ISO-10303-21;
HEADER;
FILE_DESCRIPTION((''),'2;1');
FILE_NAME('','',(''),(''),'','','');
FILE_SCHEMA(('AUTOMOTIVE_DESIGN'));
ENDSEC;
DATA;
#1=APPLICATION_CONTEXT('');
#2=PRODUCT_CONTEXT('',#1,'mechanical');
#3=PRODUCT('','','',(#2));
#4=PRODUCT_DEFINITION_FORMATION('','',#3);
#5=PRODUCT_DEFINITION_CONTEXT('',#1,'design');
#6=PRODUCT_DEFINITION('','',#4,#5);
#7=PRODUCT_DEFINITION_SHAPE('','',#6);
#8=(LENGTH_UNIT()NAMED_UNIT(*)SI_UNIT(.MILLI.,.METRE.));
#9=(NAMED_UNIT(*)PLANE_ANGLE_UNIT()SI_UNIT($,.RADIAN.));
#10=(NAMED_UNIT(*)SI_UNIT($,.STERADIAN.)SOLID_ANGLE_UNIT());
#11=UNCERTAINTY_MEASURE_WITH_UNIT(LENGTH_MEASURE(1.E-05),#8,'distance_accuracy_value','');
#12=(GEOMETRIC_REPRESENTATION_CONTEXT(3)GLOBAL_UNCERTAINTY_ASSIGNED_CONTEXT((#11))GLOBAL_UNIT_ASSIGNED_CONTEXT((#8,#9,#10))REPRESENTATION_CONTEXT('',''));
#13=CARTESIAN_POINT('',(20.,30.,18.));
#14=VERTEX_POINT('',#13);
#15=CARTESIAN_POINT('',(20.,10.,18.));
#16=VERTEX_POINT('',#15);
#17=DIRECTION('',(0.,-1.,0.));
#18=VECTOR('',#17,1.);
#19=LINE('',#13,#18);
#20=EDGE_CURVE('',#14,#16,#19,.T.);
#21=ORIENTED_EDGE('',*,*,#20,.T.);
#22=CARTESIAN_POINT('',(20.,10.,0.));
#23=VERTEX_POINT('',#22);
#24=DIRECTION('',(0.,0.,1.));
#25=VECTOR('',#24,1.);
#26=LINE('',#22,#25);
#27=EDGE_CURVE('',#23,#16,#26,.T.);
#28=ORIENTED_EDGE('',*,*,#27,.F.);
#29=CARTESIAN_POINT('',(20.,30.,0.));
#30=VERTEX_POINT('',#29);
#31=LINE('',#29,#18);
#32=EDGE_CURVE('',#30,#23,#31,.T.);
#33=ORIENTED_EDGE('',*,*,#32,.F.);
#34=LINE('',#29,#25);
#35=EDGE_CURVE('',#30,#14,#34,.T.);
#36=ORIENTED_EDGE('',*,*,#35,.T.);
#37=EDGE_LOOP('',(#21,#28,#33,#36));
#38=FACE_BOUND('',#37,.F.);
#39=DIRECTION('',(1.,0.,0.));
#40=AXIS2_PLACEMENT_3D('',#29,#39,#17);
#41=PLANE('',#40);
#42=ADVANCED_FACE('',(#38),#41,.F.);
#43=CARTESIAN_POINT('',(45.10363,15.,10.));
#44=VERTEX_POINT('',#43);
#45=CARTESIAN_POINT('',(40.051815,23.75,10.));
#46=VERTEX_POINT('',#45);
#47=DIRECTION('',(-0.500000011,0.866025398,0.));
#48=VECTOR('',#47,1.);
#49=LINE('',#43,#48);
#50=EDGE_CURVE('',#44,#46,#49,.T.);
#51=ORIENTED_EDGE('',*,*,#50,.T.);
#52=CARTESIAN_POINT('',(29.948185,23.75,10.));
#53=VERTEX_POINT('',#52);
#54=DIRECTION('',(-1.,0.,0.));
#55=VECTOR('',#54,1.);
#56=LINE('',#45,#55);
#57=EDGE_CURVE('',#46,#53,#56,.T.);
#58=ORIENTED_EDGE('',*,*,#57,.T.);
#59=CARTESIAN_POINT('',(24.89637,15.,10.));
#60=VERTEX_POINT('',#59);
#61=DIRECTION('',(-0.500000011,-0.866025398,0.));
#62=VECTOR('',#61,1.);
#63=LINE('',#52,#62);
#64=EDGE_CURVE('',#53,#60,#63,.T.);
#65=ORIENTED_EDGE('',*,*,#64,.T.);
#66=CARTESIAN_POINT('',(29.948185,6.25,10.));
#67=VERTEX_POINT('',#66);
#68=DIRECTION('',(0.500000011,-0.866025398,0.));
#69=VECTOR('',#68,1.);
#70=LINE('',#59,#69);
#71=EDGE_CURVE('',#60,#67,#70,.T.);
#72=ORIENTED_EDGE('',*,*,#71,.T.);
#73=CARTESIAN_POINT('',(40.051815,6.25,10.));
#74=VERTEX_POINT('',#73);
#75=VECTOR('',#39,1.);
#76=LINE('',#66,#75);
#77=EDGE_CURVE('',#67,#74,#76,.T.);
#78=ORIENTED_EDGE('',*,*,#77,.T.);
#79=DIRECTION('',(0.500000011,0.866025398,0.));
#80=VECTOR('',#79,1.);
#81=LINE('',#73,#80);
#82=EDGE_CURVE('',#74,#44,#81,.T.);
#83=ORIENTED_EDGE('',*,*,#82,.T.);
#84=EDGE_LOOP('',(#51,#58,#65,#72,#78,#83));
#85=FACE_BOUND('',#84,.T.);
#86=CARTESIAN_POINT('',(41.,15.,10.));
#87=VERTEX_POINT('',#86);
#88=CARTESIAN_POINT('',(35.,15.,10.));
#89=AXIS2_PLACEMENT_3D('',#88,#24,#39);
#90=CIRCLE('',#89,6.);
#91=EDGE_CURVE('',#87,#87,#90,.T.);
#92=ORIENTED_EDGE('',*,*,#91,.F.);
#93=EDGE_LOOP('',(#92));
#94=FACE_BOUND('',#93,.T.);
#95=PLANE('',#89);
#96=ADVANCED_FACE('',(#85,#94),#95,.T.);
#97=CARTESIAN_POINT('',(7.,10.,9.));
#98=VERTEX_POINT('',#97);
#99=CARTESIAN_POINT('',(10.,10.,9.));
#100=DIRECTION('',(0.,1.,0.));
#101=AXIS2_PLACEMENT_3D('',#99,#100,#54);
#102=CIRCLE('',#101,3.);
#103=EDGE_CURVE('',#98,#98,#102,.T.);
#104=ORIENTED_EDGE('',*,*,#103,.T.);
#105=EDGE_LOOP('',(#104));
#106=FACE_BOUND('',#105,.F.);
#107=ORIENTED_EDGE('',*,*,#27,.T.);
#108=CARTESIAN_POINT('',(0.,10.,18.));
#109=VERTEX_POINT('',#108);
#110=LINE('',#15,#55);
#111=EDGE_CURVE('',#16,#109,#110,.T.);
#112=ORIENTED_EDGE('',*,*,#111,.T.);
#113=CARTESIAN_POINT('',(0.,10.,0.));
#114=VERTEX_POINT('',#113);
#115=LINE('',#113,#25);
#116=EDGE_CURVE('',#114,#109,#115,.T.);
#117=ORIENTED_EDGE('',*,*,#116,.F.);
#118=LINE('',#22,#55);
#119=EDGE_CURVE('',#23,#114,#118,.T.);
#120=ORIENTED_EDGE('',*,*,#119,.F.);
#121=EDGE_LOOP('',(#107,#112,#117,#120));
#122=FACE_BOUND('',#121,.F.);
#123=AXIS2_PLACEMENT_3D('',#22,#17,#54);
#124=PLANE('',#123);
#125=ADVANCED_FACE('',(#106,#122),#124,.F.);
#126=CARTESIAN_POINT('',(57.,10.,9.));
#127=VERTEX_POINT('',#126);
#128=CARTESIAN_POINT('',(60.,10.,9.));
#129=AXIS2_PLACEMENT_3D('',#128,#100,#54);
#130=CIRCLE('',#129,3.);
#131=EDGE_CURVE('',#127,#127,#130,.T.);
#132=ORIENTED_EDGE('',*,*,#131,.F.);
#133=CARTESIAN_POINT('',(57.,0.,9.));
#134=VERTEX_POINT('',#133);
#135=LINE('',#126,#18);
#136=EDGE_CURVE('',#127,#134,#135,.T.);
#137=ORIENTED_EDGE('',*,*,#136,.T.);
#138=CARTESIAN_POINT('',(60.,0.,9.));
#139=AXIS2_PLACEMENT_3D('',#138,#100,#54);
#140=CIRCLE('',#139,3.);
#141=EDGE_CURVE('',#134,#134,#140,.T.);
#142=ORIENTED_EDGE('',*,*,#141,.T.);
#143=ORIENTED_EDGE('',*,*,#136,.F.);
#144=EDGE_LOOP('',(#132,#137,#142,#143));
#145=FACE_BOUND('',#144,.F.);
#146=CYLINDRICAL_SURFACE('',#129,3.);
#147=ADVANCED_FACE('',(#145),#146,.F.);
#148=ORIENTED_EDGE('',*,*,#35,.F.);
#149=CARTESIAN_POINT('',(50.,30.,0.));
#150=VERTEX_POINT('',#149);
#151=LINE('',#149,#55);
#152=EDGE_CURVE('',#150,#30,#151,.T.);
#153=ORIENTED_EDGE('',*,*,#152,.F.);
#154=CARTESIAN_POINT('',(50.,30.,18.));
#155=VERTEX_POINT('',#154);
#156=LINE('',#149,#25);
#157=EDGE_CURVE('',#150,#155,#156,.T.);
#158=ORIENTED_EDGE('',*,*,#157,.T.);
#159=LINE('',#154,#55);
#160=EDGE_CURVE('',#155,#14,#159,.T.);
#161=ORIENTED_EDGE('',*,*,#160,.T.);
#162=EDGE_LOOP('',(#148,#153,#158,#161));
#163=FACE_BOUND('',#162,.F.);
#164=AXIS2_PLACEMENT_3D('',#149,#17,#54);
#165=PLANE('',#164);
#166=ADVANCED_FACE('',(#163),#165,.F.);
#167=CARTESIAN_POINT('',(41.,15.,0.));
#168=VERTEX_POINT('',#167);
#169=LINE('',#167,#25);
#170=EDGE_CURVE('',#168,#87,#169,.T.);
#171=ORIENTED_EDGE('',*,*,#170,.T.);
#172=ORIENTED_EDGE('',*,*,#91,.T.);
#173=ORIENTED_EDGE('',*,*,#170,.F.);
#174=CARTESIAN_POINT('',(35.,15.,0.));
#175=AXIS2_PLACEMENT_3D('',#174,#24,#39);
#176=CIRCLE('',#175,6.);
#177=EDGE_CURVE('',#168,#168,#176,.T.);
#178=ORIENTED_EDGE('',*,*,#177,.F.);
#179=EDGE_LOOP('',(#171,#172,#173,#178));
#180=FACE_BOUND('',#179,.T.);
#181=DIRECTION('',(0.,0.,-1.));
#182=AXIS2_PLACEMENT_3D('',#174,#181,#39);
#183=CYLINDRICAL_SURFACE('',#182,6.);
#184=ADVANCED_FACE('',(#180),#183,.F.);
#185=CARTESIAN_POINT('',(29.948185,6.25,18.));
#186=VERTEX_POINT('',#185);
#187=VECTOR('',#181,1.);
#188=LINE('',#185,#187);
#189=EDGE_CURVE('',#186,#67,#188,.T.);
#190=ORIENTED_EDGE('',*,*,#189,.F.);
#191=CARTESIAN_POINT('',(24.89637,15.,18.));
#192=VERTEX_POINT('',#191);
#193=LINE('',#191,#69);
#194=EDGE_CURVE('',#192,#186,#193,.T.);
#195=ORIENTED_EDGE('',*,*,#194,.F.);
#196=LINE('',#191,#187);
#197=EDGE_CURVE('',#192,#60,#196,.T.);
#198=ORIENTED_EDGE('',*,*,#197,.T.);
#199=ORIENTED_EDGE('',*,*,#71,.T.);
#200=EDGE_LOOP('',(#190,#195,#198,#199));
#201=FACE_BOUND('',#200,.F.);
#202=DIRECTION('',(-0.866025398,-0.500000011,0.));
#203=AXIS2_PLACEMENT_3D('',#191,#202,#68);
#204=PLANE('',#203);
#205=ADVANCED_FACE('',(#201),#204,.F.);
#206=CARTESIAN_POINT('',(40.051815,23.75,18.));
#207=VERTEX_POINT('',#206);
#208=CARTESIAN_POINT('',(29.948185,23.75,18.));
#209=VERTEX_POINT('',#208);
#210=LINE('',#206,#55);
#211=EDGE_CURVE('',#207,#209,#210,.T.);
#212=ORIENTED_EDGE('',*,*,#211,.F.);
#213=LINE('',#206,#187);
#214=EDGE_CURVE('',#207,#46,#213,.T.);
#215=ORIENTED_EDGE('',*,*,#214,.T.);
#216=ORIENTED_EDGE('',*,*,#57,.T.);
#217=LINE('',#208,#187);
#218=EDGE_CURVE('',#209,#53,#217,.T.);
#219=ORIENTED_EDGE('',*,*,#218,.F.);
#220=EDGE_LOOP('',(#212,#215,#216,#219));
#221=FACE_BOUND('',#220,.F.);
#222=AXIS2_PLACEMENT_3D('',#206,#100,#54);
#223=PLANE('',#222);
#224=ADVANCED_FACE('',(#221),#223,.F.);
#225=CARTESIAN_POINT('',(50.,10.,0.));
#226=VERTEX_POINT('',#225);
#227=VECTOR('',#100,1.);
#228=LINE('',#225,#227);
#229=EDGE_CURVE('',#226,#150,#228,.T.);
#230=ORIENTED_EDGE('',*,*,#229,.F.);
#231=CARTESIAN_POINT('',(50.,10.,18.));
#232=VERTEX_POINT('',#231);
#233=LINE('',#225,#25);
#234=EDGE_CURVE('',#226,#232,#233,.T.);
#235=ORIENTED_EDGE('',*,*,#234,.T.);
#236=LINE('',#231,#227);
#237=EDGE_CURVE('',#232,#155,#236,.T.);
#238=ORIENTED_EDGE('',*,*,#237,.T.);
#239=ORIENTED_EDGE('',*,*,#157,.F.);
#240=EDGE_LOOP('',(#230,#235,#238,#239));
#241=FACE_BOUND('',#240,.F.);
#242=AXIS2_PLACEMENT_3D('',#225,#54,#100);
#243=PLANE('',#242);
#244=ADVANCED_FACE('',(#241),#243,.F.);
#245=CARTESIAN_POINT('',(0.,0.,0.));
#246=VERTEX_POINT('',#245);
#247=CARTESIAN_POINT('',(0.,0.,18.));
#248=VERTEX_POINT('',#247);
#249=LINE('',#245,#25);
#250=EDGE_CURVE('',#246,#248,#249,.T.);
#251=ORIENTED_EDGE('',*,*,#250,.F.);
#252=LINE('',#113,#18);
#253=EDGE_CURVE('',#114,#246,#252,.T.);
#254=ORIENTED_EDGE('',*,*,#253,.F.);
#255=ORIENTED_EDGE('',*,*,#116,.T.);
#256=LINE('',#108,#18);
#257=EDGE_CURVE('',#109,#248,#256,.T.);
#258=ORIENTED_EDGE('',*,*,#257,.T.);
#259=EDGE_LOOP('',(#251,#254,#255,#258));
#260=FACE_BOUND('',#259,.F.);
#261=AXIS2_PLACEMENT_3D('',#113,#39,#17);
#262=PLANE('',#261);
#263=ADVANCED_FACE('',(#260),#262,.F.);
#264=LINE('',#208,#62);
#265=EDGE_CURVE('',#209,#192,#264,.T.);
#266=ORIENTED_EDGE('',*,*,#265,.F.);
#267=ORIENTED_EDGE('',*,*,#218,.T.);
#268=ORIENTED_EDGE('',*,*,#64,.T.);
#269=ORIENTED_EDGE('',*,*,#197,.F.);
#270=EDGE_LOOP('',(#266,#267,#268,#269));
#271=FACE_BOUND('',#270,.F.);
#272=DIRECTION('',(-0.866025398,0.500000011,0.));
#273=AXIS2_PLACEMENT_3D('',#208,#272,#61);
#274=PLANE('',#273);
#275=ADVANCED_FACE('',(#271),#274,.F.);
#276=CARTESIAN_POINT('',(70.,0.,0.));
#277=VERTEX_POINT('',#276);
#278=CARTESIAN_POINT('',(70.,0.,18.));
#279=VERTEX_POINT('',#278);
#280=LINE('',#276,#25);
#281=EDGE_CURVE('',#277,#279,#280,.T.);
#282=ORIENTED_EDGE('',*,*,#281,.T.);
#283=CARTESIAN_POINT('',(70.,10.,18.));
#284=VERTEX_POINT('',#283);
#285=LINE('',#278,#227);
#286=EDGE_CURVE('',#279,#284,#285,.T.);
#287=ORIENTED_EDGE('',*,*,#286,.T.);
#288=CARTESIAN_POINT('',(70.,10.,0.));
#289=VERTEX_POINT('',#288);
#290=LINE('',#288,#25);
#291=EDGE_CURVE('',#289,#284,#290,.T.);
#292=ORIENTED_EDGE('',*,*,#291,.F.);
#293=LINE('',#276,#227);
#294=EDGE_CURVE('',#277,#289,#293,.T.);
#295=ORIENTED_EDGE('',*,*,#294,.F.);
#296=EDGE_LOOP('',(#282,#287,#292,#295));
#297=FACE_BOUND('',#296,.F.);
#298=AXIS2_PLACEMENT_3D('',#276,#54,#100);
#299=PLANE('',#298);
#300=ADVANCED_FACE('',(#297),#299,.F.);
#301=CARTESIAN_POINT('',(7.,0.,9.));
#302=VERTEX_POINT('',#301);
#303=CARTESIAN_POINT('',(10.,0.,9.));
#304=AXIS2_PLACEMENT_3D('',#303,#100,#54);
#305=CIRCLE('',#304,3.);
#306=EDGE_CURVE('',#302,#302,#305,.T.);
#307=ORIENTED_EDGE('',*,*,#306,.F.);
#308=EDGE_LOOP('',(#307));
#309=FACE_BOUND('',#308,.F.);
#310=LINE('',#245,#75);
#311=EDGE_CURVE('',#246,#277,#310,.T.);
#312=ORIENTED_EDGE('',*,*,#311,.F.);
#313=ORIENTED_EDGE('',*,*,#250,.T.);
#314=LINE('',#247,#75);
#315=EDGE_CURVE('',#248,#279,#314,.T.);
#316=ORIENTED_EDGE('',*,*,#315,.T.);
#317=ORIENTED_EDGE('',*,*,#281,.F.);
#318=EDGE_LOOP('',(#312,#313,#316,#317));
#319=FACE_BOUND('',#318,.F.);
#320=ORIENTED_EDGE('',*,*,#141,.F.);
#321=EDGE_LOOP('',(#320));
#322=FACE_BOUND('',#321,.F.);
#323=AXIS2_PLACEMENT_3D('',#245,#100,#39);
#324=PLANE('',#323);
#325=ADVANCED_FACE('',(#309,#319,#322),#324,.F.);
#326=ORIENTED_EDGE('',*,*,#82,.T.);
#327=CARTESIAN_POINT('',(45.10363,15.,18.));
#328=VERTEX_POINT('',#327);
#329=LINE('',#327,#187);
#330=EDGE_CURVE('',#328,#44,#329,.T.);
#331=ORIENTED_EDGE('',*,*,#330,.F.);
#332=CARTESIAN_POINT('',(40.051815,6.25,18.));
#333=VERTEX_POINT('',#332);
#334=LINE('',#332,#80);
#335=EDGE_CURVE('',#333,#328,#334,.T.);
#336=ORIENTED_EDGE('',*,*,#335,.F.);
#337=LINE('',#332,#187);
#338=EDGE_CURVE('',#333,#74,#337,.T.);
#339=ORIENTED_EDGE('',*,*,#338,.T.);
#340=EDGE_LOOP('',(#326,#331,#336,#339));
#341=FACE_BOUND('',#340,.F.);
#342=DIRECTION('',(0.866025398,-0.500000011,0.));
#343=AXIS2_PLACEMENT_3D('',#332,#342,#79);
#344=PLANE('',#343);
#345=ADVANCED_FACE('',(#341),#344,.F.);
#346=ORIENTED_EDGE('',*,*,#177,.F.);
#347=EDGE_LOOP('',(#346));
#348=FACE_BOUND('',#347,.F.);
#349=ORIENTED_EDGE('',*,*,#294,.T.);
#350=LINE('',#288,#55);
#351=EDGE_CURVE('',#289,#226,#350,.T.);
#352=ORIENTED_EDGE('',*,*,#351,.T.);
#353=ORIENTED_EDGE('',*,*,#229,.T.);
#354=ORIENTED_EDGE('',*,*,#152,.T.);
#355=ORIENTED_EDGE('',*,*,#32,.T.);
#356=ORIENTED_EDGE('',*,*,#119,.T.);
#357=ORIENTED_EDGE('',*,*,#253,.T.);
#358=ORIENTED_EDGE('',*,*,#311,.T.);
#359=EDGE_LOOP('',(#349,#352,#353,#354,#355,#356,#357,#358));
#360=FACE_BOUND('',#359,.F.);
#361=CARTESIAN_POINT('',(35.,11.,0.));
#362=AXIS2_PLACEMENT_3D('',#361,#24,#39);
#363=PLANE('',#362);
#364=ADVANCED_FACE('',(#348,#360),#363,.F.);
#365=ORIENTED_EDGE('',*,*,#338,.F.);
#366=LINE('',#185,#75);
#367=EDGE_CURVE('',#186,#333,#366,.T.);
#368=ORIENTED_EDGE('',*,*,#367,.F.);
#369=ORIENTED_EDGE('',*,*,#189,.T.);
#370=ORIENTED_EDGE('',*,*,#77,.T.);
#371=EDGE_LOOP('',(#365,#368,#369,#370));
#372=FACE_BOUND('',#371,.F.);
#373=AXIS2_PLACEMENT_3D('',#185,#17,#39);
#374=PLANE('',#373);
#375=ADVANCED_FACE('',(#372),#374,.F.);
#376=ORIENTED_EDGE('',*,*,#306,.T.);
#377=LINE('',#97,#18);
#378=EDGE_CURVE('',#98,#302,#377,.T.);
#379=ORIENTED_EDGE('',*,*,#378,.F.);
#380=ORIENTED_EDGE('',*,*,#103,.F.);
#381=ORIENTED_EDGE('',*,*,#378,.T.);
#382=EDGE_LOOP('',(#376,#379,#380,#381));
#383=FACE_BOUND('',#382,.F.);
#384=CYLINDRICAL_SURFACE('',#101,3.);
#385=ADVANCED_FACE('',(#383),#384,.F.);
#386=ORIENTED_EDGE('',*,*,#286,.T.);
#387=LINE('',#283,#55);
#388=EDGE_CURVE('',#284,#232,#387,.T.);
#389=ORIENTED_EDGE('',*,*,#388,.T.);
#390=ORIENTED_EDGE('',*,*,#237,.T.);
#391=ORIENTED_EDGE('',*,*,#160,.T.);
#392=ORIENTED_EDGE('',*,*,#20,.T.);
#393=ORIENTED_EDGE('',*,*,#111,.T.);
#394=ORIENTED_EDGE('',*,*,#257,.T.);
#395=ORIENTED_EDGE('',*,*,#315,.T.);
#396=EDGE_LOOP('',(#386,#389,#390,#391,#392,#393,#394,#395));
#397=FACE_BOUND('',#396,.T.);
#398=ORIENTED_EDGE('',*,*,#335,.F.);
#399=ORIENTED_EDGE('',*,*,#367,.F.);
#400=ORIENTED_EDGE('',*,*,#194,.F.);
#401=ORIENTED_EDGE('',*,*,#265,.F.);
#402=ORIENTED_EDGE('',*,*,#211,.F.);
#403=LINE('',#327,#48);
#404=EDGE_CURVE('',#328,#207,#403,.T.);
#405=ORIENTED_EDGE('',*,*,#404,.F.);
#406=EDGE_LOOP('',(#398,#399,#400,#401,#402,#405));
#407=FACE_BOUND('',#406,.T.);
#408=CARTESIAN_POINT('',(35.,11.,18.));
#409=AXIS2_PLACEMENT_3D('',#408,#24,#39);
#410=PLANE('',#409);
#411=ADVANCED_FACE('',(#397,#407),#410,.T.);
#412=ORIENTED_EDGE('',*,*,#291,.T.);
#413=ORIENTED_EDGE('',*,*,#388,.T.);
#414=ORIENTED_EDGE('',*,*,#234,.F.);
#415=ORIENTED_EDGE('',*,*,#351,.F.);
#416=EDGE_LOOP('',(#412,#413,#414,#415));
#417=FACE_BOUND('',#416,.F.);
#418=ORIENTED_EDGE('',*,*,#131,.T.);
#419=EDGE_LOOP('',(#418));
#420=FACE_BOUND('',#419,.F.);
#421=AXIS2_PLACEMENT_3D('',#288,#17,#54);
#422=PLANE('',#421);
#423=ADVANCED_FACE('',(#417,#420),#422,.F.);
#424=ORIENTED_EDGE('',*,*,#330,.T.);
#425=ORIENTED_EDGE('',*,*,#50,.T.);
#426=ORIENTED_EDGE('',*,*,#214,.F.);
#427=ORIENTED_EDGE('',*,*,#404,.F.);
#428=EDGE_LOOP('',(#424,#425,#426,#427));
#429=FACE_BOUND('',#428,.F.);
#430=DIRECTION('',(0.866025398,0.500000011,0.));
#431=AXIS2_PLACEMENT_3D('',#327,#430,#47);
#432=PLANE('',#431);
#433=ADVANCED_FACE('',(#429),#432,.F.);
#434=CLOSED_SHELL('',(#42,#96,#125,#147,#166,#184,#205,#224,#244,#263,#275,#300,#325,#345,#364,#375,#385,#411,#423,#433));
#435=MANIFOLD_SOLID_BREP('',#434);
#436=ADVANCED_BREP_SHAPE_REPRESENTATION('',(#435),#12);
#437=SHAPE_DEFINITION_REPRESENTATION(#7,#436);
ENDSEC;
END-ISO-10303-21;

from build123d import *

# Parameters (mm, degrees)
F0_R     = 6
F1_DEPTH = 18
F2_R     = 6
F3_DEPTH = 8
F4_R     = 3
F5_DEPTH = 25


with BuildPart() as f1:
    # F0 (on Top) → F1 (new body)
    with BuildSketch(Plane.XY):
        Polygon((0, 10), (0, 0), (70, 0), (70, 10), (50, 10), (50, 30), (20, 30), (20, 10), align=None)
        with Locations((35, 15)):
            Circle(F0_R, mode=Mode.SUBTRACT)
    extrude(amount=F1_DEPTH)

    # F2 (on face) → F3 (cut)
    with BuildSketch(Plane.XY.offset(18)):
        Polygon((40.051815, 23.75), (29.948185, 23.75), (24.89637, 15), (29.948185, 6.25), (40.051815, 6.25), (45.10363, 15), align=None)
        with Locations((35, 15)):
            Circle(F2_R, mode=Mode.SUBTRACT)
    extrude(amount=-F3_DEPTH, mode=Mode.SUBTRACT)

    # F4 (on face) → F5 (cut)
    with BuildSketch(Plane(origin=(0, 10, 0), x_dir=(-1, 0, 0), z_dir=(0, 1, 0))):
        with Locations((-60, 9)):
            Circle(F4_R)
        with Locations((-10, 9)):
            Circle(F4_R)
    extrude(amount=-F5_DEPTH, mode=Mode.SUBTRACT)


solid = f1.part
